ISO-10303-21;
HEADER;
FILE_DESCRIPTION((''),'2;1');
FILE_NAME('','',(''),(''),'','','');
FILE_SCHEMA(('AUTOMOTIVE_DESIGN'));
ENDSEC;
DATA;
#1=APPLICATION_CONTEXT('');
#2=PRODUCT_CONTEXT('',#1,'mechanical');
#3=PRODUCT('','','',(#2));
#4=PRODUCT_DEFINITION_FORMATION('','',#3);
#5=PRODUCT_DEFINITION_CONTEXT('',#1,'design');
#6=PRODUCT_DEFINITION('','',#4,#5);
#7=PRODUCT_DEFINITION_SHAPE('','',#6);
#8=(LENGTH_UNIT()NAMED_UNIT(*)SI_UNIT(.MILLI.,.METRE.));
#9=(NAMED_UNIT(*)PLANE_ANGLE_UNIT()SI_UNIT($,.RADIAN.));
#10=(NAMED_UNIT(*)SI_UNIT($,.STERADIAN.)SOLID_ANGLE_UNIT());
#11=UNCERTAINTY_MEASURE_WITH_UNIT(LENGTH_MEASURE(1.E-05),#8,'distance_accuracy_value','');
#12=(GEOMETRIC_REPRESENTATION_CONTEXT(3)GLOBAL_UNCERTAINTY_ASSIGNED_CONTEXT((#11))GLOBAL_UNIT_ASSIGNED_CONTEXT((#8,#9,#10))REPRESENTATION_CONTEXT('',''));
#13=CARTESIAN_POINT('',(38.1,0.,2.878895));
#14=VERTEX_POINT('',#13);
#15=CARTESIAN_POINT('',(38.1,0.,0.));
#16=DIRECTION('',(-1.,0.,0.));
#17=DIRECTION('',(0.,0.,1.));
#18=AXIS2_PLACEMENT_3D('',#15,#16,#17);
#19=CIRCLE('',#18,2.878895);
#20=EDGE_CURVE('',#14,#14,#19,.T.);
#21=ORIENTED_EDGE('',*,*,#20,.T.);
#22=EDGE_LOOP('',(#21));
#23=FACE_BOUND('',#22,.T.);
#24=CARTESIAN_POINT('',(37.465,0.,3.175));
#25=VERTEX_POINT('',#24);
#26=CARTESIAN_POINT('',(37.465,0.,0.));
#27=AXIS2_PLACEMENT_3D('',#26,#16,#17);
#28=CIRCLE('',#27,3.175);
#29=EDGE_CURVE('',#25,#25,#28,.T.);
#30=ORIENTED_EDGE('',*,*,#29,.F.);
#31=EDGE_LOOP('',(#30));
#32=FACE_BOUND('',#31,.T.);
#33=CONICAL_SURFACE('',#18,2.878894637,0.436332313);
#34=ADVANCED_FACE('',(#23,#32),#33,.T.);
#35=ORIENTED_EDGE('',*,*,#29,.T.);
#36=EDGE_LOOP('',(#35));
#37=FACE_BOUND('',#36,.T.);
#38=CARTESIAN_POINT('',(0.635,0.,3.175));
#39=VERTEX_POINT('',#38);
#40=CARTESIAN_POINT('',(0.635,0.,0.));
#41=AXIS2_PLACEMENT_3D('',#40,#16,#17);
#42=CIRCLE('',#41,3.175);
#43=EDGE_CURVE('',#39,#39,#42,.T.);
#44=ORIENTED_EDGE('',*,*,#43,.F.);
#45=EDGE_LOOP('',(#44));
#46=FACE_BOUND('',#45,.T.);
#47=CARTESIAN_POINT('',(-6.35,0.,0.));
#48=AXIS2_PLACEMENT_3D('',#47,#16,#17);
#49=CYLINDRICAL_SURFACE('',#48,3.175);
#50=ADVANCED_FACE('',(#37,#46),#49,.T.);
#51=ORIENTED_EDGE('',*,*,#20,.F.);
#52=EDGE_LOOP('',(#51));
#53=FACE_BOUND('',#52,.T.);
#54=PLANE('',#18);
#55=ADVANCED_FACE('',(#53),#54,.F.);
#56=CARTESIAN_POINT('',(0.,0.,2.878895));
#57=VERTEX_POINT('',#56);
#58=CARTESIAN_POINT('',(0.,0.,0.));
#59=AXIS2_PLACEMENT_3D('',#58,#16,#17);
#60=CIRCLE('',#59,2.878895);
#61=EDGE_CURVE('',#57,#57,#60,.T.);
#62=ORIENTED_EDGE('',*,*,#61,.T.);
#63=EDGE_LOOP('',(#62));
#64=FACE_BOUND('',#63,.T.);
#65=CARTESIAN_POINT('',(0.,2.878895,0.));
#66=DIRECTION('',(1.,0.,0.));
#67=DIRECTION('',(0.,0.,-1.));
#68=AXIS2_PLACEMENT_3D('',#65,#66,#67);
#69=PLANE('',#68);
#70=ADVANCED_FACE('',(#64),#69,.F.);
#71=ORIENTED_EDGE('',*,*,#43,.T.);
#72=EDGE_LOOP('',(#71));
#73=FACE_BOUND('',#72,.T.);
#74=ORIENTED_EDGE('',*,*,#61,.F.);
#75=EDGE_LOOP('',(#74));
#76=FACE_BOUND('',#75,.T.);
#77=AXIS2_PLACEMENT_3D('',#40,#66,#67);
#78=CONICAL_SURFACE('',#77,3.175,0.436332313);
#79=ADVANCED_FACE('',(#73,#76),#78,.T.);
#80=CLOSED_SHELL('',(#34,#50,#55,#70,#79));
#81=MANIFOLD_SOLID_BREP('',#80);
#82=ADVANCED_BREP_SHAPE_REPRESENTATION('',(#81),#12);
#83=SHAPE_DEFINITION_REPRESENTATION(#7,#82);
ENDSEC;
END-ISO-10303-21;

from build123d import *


with BuildPart() as part:
    # Sketch1 → Base-Revolve (revolve)
    with BuildSketch(Plane.XY, mode=Mode.PRIVATE) as base_revolve_sk:
        Polygon((0, 0), (38.1, 0), (38.1, 2.878894637), (37.465, 3.175), (0.635, 3.175), (0, 2.878894637), align=None)
    revolve(base_revolve_sk.sketch.rotate(Axis((-6.35, 0, 0), (1, 0, 0)), 90), axis=Axis((-6.35, 0, 0), (1, 0, 0)))


solid = part.part
